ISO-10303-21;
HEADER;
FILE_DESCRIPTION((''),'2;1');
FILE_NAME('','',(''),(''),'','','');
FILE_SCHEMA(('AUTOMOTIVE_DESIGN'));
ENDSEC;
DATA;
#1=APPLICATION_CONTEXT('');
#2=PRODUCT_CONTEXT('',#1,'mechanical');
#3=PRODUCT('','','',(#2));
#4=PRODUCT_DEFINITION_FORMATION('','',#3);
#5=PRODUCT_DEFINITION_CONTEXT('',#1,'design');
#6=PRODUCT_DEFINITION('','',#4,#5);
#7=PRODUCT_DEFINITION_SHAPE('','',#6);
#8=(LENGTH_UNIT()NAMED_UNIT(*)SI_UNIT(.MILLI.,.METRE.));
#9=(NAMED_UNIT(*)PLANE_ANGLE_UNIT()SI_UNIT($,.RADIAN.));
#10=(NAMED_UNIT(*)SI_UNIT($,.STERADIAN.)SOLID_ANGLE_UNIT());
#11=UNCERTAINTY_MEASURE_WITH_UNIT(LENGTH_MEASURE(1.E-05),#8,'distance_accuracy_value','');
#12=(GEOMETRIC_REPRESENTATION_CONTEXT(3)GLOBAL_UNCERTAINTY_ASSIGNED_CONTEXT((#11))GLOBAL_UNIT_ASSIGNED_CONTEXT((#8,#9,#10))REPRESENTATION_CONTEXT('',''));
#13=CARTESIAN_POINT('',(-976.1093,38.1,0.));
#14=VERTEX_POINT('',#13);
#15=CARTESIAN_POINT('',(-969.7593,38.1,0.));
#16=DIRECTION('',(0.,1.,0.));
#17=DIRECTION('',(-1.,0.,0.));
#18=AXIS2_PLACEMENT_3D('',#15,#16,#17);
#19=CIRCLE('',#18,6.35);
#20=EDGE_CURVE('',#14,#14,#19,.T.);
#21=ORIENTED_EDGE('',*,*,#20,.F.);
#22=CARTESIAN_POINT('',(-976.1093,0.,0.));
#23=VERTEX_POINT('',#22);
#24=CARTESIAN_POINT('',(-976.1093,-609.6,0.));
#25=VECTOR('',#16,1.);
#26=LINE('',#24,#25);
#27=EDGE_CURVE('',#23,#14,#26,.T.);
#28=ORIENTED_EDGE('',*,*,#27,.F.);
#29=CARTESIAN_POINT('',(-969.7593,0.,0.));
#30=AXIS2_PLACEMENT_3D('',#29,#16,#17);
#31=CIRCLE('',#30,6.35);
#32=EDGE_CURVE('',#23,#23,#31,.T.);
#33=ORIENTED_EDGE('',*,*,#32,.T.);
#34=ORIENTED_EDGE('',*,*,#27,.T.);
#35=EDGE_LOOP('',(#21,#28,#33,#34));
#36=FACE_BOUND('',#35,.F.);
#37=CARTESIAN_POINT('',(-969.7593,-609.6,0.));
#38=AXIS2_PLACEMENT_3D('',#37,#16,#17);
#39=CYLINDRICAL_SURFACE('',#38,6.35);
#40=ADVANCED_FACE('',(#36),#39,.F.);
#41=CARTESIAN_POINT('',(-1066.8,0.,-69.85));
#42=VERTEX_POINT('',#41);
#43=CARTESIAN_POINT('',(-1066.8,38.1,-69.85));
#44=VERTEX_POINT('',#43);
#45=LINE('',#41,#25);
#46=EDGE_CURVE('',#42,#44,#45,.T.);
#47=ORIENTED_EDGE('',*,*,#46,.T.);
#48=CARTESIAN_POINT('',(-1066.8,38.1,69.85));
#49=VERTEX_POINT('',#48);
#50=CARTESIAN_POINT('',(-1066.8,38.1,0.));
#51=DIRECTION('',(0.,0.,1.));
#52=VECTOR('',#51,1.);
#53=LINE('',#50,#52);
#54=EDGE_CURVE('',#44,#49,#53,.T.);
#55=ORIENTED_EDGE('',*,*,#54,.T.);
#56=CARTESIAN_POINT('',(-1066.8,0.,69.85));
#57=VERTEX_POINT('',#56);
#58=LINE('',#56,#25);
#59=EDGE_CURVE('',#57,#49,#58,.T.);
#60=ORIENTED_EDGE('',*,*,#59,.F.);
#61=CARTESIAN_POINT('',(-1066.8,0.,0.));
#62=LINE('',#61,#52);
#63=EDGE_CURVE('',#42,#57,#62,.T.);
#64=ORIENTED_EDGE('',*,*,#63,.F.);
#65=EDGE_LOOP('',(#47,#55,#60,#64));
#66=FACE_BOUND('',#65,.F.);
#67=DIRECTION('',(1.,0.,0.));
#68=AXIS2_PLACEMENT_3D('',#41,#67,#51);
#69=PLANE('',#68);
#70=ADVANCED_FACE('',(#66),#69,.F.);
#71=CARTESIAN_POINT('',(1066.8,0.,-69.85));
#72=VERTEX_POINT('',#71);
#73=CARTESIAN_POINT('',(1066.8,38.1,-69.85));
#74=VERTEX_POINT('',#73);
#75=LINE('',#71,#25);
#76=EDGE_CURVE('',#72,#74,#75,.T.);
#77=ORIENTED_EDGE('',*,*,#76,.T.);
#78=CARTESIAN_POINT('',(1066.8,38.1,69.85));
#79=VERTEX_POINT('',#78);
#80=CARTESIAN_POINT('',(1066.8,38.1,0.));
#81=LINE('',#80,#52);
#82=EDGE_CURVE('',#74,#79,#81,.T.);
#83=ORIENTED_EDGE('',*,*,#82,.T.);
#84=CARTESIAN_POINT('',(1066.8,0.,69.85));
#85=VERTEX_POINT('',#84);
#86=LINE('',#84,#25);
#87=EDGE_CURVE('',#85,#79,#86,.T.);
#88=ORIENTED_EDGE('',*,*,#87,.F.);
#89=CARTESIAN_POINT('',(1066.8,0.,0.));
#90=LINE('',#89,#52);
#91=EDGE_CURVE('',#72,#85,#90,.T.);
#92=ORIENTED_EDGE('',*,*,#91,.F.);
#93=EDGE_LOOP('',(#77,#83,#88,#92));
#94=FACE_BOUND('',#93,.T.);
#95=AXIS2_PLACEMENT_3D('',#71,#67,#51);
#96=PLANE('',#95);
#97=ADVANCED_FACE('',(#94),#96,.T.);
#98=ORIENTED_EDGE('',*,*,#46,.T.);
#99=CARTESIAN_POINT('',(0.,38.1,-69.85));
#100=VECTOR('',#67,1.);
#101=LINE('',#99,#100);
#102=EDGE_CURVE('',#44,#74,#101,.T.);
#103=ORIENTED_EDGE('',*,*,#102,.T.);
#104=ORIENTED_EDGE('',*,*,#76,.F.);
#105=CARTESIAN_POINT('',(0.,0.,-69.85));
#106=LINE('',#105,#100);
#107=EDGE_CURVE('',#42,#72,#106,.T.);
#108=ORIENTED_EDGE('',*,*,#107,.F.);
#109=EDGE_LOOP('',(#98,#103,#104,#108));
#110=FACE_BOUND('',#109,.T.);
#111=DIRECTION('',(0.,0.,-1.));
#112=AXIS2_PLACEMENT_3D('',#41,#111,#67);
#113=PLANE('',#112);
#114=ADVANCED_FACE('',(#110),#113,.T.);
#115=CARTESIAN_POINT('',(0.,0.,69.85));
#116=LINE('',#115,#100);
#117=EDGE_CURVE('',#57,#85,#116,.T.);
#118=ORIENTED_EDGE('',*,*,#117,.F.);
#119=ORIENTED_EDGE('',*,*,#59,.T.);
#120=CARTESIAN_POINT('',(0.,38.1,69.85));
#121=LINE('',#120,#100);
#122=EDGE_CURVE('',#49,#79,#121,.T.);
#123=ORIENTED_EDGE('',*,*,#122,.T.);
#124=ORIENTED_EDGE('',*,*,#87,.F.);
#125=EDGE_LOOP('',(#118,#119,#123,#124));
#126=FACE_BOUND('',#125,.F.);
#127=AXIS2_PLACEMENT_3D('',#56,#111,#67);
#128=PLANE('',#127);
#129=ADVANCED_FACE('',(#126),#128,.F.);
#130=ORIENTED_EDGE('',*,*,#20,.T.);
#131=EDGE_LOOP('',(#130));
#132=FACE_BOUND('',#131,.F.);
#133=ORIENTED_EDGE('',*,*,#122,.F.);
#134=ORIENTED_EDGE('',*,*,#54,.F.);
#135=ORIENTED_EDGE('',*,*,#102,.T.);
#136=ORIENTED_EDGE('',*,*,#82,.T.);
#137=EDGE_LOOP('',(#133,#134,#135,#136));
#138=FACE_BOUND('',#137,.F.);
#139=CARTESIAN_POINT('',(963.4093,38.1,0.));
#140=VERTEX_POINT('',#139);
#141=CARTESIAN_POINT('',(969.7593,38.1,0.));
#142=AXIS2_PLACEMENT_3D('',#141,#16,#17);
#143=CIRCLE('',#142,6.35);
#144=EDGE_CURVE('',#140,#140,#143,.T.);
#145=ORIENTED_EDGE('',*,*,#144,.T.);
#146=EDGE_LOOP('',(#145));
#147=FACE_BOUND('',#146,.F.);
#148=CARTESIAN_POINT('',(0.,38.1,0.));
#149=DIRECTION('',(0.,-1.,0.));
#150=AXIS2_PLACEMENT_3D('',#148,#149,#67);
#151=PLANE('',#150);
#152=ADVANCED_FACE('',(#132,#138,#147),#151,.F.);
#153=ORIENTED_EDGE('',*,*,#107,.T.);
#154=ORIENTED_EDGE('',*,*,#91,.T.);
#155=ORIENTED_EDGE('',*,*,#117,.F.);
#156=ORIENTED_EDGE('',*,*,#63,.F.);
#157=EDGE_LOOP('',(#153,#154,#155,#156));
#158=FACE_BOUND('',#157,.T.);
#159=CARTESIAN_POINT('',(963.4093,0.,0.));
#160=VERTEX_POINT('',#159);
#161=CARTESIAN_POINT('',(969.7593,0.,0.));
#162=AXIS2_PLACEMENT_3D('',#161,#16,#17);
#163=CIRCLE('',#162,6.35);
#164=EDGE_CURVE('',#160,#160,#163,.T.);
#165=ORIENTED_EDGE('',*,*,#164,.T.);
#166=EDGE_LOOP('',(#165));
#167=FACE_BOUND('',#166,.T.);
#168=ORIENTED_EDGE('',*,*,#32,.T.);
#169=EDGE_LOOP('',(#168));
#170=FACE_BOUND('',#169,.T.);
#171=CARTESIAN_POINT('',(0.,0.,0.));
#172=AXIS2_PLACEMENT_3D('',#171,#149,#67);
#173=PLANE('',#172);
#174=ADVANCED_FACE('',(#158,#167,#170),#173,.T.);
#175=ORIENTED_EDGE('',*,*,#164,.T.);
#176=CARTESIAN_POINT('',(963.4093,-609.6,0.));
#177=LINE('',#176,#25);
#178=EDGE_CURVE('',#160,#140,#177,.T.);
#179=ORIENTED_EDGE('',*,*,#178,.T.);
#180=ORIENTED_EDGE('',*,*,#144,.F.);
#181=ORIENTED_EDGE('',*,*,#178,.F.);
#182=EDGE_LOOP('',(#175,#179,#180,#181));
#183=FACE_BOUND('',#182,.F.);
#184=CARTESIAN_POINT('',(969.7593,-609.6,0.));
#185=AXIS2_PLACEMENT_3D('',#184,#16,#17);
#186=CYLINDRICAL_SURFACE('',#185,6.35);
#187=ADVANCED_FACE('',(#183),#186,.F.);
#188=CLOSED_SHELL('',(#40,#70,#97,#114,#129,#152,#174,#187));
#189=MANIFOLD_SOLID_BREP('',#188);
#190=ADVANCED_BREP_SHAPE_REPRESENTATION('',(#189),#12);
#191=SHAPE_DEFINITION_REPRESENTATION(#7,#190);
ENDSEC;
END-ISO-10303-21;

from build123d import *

# Parameters (mm, degrees)
F0_W     = 2133.6
F0_H     = 139.7
F1_DEPTH = 38.1
F2_D     = 12.7
F2_DEPTH = 609.6
F3_D     = 12.7
F3_DEPTH = 609.6


with BuildPart() as f1:
    # F0 (on Front) → F1 (new body)
    with BuildSketch(Plane.XZ):
        Rectangle(F0_W, F0_H)
    extrude(amount=-F1_DEPTH)

    # F2
    with Locations(Plane.XZ):
        with Locations((-969.7593, 0)):
            Hole(F2_D / 2, depth=F2_DEPTH)

    # F3
    with Locations(Plane.XZ):
        with Locations((969.7593, 0)):
            Hole(F3_D / 2, depth=F3_DEPTH)


solid = f1.part
